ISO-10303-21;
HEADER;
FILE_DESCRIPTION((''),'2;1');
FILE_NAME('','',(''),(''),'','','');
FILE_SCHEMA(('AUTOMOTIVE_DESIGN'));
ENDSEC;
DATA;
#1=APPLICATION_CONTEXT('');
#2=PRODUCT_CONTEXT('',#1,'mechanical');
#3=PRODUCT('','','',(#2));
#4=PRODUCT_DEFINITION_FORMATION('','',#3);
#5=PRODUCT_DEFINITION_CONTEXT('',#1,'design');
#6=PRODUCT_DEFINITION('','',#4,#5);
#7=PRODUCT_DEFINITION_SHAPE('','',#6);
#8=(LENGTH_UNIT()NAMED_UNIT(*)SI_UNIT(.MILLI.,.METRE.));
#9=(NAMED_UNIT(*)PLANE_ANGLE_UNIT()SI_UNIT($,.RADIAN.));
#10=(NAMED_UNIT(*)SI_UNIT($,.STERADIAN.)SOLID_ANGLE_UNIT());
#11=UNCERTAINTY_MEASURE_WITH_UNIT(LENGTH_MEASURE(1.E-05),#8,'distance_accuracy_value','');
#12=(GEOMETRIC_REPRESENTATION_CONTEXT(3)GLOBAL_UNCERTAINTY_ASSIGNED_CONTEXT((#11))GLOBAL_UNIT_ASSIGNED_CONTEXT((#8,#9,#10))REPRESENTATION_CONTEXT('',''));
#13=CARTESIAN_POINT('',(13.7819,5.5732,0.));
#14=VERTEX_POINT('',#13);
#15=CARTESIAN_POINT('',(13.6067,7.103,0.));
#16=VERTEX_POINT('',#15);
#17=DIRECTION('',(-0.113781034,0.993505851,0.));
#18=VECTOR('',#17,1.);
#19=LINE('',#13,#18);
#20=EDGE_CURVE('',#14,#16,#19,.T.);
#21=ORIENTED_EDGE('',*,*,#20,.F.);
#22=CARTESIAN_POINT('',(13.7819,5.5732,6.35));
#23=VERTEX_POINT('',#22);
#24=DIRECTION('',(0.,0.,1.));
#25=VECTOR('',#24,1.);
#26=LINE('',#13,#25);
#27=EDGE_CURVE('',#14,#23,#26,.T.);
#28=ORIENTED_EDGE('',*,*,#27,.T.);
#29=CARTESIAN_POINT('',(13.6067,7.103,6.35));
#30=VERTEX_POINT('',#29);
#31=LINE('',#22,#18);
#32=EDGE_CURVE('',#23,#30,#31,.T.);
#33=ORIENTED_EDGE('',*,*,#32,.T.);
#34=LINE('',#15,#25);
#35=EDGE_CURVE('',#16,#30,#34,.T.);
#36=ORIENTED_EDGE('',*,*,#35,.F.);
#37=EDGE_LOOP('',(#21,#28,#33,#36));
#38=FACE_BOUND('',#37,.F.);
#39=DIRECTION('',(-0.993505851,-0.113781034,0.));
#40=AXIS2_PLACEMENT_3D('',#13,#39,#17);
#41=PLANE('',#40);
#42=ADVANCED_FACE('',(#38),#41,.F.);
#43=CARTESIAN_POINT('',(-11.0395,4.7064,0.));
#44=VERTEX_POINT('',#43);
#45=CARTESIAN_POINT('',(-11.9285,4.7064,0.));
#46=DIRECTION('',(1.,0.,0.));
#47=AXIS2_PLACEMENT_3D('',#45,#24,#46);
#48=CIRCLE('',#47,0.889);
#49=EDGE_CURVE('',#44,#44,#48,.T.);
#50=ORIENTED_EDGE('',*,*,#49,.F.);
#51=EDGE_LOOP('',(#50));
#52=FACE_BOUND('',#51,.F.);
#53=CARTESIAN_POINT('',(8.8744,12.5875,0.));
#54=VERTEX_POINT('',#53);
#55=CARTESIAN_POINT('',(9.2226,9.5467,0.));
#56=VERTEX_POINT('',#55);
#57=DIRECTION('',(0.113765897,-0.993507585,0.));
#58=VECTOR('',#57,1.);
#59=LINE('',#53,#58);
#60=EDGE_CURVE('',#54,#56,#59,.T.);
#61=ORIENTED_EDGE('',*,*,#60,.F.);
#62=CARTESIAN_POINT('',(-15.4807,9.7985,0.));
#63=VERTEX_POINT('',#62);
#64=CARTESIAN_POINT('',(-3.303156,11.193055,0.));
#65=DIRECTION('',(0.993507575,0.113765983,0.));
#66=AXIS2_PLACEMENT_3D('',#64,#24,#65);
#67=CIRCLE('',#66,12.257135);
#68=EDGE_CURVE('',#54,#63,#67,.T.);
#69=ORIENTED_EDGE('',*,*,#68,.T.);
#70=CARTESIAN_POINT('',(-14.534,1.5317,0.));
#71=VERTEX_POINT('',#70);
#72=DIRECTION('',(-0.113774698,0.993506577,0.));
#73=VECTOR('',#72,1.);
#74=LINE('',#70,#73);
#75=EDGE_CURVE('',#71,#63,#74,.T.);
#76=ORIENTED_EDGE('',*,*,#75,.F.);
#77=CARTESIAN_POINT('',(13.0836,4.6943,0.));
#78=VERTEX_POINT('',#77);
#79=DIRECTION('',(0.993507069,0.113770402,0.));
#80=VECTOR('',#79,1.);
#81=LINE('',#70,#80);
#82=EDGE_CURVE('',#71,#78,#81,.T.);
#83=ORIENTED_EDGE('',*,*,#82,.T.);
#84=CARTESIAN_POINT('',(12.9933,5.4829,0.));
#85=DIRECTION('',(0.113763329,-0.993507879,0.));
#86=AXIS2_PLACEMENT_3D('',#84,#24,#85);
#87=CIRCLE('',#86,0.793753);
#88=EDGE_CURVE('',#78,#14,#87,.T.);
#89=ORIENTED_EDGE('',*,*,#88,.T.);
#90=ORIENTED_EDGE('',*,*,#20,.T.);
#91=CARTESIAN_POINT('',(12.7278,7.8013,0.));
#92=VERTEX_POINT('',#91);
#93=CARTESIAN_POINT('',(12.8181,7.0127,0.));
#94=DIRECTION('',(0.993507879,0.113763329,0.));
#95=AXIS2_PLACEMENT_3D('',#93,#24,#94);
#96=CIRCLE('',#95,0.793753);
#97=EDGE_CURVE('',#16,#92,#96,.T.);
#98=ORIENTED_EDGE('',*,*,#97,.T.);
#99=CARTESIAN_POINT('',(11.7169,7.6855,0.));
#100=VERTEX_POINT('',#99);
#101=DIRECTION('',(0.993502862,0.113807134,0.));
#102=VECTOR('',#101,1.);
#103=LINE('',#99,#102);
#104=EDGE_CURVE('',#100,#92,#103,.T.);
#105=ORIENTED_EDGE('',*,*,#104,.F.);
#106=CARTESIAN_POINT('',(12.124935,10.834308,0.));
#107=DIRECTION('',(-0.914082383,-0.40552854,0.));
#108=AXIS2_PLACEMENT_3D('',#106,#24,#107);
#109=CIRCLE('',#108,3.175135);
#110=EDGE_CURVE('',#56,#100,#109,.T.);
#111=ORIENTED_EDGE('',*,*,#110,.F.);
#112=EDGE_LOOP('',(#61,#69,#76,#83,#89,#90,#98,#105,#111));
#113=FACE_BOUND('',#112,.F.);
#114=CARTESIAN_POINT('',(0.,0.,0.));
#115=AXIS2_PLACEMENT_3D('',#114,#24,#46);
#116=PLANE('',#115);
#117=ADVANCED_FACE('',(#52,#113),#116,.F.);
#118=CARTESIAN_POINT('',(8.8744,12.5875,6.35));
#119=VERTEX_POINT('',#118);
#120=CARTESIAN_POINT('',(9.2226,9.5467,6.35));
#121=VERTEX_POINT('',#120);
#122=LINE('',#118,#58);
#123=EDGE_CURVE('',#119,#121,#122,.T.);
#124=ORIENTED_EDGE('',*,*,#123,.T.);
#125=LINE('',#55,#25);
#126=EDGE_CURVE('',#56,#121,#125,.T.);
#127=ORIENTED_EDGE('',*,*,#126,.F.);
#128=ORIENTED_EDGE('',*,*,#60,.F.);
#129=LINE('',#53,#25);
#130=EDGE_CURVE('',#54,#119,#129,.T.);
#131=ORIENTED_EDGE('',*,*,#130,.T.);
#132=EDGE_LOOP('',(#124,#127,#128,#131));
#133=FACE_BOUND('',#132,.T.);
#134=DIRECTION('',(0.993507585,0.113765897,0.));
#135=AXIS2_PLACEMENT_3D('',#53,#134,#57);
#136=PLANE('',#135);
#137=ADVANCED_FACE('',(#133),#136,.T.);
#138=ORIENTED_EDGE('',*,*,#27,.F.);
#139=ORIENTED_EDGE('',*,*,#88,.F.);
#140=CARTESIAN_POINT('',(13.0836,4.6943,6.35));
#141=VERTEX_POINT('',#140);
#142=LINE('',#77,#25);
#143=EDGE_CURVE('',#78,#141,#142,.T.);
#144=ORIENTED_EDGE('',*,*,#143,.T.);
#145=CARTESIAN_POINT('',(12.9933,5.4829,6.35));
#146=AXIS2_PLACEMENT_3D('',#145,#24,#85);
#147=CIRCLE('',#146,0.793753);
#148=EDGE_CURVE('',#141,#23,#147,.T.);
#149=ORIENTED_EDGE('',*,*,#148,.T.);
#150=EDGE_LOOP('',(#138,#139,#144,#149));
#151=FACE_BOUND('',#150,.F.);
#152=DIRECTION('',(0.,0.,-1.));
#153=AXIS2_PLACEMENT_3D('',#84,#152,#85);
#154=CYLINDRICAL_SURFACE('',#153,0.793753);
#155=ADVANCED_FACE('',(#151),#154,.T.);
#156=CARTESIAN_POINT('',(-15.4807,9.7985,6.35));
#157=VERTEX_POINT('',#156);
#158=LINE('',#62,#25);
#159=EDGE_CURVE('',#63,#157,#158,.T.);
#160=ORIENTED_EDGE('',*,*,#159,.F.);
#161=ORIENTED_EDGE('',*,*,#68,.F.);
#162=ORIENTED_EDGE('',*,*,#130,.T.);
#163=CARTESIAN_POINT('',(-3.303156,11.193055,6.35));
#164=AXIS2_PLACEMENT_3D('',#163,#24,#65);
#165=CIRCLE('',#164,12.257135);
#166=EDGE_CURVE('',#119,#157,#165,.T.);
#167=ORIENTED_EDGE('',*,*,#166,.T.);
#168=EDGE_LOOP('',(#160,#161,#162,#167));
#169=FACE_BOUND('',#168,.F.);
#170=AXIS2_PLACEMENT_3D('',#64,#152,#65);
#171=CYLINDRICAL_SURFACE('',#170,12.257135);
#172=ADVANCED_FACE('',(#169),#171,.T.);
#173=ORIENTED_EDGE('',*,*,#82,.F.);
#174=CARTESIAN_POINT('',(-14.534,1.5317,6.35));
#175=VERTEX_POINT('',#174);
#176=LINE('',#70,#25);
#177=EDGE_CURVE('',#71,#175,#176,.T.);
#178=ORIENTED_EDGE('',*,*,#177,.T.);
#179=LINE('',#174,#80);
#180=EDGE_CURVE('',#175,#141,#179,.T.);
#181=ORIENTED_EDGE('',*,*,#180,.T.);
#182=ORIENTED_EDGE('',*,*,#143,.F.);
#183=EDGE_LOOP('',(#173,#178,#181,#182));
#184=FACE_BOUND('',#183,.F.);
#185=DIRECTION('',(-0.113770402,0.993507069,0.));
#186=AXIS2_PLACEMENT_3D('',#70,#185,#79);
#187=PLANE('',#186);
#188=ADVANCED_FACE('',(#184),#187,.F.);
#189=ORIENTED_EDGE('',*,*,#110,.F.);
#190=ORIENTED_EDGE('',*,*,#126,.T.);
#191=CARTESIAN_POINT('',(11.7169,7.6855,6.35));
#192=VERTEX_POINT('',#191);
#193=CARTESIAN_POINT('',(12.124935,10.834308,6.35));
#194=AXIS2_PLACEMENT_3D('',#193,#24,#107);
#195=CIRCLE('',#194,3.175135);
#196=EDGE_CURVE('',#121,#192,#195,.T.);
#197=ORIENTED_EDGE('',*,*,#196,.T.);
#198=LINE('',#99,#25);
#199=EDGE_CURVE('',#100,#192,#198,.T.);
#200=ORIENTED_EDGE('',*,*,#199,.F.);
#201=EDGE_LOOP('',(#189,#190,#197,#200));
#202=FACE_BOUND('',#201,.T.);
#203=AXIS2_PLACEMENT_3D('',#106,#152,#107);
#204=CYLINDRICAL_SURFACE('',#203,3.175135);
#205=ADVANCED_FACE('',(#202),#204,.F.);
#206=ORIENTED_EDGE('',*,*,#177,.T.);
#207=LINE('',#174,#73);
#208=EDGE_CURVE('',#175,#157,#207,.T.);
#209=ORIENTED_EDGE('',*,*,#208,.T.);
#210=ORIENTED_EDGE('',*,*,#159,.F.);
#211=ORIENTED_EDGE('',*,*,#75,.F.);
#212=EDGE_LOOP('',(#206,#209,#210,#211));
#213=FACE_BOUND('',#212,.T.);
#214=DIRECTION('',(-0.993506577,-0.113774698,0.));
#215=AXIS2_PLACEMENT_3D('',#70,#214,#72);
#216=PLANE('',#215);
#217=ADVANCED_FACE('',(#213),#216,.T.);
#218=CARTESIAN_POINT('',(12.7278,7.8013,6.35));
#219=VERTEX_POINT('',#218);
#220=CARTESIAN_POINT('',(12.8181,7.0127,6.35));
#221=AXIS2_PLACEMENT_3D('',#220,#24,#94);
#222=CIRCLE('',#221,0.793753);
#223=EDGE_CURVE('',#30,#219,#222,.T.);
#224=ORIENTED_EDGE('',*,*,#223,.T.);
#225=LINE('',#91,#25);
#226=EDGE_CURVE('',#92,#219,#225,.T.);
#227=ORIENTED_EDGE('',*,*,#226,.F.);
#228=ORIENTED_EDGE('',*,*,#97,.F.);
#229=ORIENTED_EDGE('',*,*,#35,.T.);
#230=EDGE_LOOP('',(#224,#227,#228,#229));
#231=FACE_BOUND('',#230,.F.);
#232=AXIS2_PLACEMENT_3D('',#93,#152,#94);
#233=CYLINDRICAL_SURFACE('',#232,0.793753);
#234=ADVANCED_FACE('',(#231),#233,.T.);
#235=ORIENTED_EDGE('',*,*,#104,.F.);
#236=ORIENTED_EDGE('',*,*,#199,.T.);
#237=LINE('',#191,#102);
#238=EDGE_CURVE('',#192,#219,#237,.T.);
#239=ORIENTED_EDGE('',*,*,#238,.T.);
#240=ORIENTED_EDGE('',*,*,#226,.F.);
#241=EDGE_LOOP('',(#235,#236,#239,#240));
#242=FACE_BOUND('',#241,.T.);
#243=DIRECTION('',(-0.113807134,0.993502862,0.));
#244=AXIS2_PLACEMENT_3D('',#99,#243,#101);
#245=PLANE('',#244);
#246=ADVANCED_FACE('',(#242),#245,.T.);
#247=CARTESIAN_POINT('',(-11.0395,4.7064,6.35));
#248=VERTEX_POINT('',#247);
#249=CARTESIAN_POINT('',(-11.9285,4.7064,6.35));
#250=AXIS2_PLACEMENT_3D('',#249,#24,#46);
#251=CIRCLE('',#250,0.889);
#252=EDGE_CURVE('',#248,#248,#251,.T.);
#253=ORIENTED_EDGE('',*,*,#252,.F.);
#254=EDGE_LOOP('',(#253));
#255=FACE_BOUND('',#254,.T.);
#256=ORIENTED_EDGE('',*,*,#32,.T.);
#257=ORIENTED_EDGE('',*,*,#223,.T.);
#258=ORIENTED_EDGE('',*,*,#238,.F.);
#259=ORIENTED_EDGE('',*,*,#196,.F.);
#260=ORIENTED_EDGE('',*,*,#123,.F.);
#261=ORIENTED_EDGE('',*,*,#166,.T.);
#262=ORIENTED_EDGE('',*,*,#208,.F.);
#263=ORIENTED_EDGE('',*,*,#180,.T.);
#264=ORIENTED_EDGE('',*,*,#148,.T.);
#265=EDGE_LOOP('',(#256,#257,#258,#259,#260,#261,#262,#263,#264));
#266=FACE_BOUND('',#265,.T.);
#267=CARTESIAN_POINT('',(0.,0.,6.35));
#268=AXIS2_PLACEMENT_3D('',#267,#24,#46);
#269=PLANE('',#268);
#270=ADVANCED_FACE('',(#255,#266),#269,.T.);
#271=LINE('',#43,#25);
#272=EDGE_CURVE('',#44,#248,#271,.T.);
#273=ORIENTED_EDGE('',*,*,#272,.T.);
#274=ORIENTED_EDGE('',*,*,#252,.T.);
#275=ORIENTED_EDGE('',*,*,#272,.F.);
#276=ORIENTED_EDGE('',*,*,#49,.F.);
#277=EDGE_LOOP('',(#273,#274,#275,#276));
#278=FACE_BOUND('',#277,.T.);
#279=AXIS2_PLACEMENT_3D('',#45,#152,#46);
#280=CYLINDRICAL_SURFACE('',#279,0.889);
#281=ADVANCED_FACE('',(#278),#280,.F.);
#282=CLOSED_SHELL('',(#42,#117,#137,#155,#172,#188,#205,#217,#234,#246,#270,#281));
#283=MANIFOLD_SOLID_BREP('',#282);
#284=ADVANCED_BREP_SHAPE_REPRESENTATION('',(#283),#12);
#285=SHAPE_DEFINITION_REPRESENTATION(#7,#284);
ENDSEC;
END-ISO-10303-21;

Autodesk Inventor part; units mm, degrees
ref_plane "YZ Plane" through (0, 0, 0) normal (1, 0, 0) x (0, 1, 0)
ref_plane "XZ Plane" through (0, 0, 0) normal (0, 1, 0) x (-1, 0, 0)
ref_plane "XY Plane" through (0, 0, 0) normal (0, 0, 1) x (1, 0, 0)
sketch "Sketch1" plane through (0, 0, 0) normal (0, 0, 1) x (1, 0, 0)
  line L0 (-14.534, 1.5317) -> (13.0836, 4.6943)
  arc A0 (8.8744, 12.5875) -> (-15.4807, 9.7985) centre (-3.3032, 11.193) ccw
  circle A1 centre (-11.9285, 4.7064) radius 0.889
  line L1 (11.7169, 7.6855) -> (12.7278, 7.8013)
  line L2 (13.7819, 5.5732) -> (13.6067, 7.103)
  arc A2 (9.2226, 9.5467) -> (11.7169, 7.6855) centre (12.1248, 10.8342) ccw
  arc A3 (13.6067, 7.103) -> (12.7278, 7.8013) centre (12.8181, 7.0127) ccw
  arc A4 (13.0836, 4.6943) -> (13.7819, 5.5732) centre (12.9933, 5.4829) ccw
  line L3 (-24.0434, 21.1552) -> (25.4307, 26.8206) construction
  line L4 (-25.7025, 27.3567) -> (12.868, 31.7735) construction
  line L5 (-14.534, 1.5317) -> (-15.4807, 9.7985)
  line L6 (9.821, 4.3207) -> (8.8744, 12.5875) construction
  line L7 (-24.6974, 8.7431) -> (27.8347, 14.7587) construction
  line L8 (-2.3565, 2.9262) -> (-5.4201, 29.6793) construction
  line L9 (8.8744, 12.5875) -> (9.2226, 9.5467)
  dimension "nail" = 1.778
  dimension "d37" = 3.175
  dimension "d38" = 0.7937
  dimension "d60" = 1.0109
  dimension "d61" = 3.1273
  dimension "d62" = 27.7981
  dimension "airspace" = 6.35
  dimension "d64" = 8.3208
  dimension "d65" = 12.2571
extrude "Extrusion6" add sketch "Sketch1" along normal blind 6.35
properties part number "Surface Switch Trigger (High Hat)"
